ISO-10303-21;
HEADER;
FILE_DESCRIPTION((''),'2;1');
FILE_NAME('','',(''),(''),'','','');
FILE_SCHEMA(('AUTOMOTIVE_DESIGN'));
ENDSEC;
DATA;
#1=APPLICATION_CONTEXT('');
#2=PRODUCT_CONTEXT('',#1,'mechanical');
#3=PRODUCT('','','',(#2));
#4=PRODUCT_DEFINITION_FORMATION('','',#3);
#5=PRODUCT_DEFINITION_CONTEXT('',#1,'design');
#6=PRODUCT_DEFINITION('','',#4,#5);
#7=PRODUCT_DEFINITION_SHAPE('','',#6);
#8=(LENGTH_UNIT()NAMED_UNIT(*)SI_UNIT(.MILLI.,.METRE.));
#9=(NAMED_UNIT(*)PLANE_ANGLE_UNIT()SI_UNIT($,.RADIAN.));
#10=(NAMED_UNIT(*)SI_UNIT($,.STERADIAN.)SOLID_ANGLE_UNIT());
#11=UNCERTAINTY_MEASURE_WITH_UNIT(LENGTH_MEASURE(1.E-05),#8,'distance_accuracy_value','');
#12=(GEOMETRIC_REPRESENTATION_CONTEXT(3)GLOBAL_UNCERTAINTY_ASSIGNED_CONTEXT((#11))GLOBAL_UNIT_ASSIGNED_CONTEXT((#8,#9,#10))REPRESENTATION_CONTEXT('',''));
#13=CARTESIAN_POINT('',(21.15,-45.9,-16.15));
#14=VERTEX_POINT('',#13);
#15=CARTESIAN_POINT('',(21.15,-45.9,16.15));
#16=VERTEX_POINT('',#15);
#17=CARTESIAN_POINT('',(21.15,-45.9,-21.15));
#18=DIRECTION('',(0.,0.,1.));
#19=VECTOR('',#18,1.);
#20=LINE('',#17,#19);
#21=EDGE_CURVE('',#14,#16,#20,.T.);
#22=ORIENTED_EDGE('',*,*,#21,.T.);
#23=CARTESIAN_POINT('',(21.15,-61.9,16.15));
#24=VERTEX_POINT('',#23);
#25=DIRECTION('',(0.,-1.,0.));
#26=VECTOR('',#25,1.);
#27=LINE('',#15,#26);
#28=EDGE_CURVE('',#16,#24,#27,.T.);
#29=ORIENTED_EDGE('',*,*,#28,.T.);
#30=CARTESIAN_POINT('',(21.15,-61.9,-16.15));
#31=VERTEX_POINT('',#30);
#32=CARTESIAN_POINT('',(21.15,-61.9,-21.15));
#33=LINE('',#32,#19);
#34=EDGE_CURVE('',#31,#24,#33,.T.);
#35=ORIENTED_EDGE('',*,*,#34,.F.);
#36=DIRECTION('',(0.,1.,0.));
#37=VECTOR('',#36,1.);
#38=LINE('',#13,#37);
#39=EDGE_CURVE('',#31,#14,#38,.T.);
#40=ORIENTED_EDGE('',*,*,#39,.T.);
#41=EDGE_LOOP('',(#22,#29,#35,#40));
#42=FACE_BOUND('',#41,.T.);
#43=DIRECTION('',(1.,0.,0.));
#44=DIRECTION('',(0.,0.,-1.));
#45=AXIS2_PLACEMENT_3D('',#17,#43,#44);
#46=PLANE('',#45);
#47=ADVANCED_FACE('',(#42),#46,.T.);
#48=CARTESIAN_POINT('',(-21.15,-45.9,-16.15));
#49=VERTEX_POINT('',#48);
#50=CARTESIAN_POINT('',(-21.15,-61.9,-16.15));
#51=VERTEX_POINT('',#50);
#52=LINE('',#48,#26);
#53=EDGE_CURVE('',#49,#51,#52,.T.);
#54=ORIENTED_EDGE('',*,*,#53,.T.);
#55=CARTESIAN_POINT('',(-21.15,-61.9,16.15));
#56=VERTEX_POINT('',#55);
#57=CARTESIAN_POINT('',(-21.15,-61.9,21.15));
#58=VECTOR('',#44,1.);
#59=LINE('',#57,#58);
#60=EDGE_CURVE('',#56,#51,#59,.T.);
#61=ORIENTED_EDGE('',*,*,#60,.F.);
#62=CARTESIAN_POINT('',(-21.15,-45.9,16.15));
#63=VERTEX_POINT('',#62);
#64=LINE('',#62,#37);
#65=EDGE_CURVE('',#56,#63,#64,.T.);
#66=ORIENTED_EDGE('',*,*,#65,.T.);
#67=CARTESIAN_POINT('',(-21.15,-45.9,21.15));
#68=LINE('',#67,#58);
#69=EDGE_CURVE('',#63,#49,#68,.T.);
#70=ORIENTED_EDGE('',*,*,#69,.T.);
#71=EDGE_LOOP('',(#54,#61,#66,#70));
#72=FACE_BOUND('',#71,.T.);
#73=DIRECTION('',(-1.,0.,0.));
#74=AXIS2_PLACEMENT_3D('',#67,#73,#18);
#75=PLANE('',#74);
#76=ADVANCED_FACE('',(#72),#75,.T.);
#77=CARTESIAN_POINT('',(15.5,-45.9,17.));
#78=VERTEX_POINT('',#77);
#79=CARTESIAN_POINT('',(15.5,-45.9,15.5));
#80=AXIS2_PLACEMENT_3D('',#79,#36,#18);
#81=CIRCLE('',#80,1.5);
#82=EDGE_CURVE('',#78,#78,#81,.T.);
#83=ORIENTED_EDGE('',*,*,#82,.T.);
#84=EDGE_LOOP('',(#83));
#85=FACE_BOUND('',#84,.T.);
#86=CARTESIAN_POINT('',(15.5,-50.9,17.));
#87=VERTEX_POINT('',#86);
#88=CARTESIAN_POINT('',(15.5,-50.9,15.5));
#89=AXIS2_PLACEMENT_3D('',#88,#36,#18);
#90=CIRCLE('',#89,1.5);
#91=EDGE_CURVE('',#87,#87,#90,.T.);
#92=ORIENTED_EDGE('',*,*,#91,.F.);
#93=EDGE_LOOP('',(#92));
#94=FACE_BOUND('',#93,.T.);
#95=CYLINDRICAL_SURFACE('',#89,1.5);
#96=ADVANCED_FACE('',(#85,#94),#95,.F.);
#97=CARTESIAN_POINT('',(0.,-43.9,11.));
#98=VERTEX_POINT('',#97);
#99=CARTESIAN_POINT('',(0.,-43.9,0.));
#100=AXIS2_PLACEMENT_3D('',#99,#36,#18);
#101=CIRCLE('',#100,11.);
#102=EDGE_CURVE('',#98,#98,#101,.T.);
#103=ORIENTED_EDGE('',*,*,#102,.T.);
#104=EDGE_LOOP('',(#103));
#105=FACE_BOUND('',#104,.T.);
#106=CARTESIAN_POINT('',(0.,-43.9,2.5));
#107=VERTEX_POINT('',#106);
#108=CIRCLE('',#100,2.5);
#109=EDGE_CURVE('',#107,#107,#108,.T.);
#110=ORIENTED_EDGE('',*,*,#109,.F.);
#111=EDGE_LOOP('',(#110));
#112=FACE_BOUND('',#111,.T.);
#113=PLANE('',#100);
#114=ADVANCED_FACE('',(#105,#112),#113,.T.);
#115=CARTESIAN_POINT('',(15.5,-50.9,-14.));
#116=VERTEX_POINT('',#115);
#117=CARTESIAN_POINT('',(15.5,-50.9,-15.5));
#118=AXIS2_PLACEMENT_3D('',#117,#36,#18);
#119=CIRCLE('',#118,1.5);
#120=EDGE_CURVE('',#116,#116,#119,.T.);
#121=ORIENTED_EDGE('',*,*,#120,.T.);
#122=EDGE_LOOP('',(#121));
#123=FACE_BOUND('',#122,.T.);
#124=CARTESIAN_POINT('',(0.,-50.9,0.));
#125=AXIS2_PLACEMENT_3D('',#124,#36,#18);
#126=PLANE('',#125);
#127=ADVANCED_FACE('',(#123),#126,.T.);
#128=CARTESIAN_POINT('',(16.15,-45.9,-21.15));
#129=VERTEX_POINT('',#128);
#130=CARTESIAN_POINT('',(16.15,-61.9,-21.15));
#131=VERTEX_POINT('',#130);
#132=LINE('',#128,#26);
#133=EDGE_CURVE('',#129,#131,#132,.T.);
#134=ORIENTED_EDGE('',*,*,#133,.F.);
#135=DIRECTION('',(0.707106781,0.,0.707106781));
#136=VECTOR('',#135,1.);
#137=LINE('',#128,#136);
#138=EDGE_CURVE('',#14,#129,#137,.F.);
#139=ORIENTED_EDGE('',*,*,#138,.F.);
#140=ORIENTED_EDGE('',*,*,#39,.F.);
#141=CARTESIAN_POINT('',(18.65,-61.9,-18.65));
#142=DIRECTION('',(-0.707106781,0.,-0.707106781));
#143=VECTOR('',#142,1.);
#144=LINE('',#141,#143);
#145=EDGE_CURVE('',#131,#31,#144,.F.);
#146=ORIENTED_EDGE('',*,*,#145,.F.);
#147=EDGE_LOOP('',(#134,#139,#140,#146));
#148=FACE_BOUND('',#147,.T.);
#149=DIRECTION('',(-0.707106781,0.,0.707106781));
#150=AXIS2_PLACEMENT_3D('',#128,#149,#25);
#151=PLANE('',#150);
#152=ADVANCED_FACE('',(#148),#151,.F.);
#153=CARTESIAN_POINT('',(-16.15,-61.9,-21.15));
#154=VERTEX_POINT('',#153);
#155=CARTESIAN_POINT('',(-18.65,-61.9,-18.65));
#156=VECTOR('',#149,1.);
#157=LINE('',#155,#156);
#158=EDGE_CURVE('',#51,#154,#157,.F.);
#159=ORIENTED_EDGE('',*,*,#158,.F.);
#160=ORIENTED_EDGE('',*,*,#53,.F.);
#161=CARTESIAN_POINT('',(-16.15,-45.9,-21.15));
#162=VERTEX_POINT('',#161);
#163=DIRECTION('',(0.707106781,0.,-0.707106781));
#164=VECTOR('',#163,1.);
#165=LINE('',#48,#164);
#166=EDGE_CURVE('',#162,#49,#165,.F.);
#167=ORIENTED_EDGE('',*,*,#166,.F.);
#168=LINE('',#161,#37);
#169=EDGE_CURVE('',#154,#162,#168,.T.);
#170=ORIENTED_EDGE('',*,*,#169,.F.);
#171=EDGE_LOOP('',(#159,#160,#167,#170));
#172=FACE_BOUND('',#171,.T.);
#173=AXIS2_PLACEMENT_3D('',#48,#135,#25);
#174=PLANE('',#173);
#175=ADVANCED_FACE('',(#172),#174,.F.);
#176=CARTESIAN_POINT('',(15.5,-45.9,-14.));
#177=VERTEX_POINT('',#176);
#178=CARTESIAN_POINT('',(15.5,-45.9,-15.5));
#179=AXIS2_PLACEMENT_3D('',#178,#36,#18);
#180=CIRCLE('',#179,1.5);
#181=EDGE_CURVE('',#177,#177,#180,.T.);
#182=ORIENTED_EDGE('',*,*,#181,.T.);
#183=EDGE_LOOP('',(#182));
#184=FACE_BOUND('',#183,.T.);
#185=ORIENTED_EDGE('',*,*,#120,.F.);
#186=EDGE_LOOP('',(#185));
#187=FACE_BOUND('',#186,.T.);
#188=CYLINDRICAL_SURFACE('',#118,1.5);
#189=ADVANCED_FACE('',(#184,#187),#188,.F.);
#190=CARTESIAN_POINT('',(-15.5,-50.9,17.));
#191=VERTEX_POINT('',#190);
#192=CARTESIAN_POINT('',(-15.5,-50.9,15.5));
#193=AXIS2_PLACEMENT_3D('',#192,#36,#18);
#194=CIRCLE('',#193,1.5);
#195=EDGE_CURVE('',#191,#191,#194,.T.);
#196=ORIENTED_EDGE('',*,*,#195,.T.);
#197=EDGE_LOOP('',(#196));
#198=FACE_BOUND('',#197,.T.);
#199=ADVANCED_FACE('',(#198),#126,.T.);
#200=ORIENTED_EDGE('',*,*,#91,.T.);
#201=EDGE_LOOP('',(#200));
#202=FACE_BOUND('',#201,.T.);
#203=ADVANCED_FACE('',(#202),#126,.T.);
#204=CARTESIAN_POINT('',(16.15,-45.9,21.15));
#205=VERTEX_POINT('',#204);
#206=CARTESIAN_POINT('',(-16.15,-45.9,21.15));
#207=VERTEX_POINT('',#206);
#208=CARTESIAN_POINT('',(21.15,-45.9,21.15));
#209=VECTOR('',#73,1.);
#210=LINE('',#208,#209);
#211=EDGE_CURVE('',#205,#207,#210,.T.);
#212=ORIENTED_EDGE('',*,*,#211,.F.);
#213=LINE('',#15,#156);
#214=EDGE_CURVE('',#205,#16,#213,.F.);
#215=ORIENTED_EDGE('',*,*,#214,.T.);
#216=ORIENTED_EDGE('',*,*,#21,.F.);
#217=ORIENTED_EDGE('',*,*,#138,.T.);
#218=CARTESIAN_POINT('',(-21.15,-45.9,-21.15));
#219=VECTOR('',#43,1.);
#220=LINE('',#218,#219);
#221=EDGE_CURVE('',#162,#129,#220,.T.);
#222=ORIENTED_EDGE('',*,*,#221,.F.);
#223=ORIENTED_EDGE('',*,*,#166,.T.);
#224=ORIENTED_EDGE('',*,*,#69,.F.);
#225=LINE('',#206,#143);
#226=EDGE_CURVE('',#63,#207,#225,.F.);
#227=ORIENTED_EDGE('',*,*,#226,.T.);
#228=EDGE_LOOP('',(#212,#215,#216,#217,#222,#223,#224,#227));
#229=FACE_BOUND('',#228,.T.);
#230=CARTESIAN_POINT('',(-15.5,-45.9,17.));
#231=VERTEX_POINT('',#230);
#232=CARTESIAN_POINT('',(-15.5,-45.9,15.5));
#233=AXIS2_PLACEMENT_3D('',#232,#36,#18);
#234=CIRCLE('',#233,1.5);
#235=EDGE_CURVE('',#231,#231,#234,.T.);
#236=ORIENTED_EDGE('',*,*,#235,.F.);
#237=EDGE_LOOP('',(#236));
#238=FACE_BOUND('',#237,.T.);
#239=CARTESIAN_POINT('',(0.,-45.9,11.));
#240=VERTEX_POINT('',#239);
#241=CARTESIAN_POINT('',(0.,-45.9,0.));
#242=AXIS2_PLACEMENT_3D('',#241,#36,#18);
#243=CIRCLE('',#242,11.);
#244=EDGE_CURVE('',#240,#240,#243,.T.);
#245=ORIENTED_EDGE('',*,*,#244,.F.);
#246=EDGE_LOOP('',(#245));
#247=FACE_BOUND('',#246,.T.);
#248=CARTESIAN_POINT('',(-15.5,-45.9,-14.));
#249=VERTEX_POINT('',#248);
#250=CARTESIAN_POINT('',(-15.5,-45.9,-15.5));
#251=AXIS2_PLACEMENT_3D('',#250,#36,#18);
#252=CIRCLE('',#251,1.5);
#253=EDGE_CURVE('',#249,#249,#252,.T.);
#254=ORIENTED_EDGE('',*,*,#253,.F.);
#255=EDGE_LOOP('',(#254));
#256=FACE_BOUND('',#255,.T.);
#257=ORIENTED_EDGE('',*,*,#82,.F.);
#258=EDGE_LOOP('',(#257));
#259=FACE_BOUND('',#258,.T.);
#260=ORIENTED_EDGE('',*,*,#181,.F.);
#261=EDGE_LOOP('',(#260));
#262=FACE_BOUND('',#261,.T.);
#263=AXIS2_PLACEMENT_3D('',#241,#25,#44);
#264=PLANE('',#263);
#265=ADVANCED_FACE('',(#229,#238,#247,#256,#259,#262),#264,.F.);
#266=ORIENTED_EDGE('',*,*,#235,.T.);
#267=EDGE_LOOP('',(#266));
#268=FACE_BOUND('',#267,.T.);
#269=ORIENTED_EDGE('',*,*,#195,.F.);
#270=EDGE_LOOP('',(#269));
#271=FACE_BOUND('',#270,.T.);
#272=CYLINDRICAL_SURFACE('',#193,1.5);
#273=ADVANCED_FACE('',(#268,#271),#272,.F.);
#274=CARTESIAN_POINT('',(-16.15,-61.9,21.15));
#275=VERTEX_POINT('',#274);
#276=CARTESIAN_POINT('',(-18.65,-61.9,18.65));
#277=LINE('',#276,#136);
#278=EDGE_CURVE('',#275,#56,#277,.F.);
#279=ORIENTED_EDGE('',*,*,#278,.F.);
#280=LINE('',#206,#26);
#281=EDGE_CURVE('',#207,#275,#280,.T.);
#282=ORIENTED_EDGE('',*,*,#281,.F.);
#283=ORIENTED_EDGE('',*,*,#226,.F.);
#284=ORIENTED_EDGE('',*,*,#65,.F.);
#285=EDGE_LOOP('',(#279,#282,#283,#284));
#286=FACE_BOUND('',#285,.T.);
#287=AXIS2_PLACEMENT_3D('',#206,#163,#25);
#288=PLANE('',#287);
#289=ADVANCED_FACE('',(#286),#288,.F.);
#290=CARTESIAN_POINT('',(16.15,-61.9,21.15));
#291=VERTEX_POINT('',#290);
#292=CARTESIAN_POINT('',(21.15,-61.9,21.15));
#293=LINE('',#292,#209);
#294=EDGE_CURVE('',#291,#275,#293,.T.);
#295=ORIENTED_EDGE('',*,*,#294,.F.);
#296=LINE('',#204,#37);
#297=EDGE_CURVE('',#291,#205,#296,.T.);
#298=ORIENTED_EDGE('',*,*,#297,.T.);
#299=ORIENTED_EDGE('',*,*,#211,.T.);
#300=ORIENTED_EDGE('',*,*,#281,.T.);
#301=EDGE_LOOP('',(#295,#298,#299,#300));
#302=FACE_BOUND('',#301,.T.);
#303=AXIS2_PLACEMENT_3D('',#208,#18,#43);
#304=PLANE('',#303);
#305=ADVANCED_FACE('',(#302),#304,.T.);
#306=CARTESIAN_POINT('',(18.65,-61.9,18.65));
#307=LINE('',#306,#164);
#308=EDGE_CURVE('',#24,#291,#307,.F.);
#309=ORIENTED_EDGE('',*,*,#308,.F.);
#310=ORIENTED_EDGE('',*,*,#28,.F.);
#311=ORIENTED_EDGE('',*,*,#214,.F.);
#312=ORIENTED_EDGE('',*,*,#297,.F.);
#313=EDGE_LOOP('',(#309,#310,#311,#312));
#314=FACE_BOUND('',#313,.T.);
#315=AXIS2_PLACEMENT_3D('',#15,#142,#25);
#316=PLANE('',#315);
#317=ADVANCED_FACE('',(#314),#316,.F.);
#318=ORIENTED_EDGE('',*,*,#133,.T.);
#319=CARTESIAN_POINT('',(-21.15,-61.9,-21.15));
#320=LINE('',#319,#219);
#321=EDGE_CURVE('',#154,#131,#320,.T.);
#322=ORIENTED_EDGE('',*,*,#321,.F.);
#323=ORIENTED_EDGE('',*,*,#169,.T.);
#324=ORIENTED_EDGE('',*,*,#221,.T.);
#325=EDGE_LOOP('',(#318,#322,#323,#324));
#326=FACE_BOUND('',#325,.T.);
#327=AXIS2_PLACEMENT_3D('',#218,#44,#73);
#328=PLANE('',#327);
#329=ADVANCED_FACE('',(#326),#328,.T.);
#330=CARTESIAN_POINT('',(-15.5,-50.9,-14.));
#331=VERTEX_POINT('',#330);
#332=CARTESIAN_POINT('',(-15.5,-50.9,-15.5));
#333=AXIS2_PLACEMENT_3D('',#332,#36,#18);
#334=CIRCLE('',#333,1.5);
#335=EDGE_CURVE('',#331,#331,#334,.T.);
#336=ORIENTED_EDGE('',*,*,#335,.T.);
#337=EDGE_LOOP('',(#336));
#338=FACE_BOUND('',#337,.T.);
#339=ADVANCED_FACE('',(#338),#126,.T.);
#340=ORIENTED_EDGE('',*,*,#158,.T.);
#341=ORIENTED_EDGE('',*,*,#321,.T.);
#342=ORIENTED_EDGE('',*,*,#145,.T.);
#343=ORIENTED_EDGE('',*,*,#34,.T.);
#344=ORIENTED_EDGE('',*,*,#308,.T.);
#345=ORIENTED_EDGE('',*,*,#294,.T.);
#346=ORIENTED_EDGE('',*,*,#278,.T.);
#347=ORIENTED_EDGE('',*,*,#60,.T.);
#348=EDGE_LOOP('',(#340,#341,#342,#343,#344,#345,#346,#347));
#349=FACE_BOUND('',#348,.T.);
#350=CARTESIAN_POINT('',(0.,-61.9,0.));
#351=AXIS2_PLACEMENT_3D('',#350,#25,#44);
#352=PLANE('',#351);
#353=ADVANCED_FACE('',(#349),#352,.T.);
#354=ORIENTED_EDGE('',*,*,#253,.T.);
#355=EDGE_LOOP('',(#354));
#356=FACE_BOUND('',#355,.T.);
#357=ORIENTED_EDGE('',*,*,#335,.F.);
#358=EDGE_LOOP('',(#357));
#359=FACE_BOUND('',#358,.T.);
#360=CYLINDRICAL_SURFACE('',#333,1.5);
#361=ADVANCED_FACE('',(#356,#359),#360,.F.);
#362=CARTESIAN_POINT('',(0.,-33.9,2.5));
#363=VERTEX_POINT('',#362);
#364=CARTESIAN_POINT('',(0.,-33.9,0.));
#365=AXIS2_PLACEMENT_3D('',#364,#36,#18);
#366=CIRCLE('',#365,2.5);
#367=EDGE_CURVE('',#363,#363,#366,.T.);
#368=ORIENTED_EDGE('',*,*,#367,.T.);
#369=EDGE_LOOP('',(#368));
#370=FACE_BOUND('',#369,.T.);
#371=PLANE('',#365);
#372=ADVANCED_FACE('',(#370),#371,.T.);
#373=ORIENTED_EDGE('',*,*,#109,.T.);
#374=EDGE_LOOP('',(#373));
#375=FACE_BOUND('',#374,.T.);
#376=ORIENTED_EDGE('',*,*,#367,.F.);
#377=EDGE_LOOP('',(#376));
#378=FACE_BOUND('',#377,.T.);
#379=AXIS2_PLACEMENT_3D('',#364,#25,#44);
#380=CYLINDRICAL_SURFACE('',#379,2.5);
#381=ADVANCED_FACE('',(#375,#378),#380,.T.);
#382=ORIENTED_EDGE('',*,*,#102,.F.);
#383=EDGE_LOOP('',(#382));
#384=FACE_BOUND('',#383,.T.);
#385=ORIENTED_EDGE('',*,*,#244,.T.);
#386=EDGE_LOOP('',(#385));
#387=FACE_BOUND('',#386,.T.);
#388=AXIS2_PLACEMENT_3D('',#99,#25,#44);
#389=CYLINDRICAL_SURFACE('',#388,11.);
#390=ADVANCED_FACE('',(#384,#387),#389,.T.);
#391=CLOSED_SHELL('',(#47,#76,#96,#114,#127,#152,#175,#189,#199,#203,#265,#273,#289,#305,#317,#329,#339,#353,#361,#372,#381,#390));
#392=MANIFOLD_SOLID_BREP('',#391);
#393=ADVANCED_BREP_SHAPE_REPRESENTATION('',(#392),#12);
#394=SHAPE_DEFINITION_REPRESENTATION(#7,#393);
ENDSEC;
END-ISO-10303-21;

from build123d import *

# Parameters (mm, degrees)
SKETCH_1_W          = 42.3
SKETCH_1_H          = 42.3
EXTRUDE_1_DEPTH     = 16
CHAMFER_1_SIZE      = 5
SKETCH_2_R          = 11
EXTRUDE_2_DEPTH     = 2
SKETCH_3_R          = 1.5
CUT_EXTRUDE_1_DEPTH = 5
SKETCH_4_R          = 2.5
EXTRUDE_3_DEPTH     = 10


with BuildPart() as part:
    # 草图1 → 凸台-拉伸1 (new body)
    with BuildSketch(Plane.XZ.offset(61.9)):
        Rectangle(SKETCH_1_W, SKETCH_1_H)
    extrude(amount=-EXTRUDE_1_DEPTH)

    # 倒角1
    chamfer_1_edges = [part.edges().sort_by_distance(p)[0] for p in [
        (-21.15, -53.9, -21.15),
        (-21.15, -53.9, 21.15),
        (21.15, -53.9, 21.15),
        (21.15, -53.9, -21.15),
    ]]
    chamfer(chamfer_1_edges, length=CHAMFER_1_SIZE)

    # 草图2 → 凸台-拉伸2 (add)
    with BuildSketch(Plane(origin=(0, -45.9, 0), x_dir=(-1, 0, 0), z_dir=(0, 1, 0))):
        with Locations(Location((0, 0, 0), (0, 0, 90))):
            Circle(SKETCH_2_R)
    extrude(amount=EXTRUDE_2_DEPTH)

    # 草图3 → 切除-拉伸1 (cut)
    with BuildSketch(Plane(origin=(0, -45.9, 0), x_dir=(1, 0, 0), z_dir=(0, 1, 0))):
        with Locations(Location((-15.5, 15.5, 0), (0, 0, 270))):
            Circle(SKETCH_3_R)
        with Locations(Location((15.5, 15.5, 0), (0, 0, 270))):
            Circle(SKETCH_3_R)
        with Locations(Location((15.5, -15.5, 0), (0, 0, 270))):
            Circle(SKETCH_3_R)
        with Locations(Location((-15.5, -15.5, 0), (0, 0, 270))):
            Circle(SKETCH_3_R)
    extrude(amount=-CUT_EXTRUDE_1_DEPTH, mode=Mode.SUBTRACT)

    # 草图4 → 凸台-拉伸3 (add)
    with BuildSketch(Plane(origin=(0, -43.9, 0), x_dir=(1, 0, 0), z_dir=(0, 1, 0))):
        with Locations(Location((0, 0, 0), (0, 0, 270))):
            Circle(SKETCH_4_R)
    extrude(amount=EXTRUDE_3_DEPTH)


solid = part.part
